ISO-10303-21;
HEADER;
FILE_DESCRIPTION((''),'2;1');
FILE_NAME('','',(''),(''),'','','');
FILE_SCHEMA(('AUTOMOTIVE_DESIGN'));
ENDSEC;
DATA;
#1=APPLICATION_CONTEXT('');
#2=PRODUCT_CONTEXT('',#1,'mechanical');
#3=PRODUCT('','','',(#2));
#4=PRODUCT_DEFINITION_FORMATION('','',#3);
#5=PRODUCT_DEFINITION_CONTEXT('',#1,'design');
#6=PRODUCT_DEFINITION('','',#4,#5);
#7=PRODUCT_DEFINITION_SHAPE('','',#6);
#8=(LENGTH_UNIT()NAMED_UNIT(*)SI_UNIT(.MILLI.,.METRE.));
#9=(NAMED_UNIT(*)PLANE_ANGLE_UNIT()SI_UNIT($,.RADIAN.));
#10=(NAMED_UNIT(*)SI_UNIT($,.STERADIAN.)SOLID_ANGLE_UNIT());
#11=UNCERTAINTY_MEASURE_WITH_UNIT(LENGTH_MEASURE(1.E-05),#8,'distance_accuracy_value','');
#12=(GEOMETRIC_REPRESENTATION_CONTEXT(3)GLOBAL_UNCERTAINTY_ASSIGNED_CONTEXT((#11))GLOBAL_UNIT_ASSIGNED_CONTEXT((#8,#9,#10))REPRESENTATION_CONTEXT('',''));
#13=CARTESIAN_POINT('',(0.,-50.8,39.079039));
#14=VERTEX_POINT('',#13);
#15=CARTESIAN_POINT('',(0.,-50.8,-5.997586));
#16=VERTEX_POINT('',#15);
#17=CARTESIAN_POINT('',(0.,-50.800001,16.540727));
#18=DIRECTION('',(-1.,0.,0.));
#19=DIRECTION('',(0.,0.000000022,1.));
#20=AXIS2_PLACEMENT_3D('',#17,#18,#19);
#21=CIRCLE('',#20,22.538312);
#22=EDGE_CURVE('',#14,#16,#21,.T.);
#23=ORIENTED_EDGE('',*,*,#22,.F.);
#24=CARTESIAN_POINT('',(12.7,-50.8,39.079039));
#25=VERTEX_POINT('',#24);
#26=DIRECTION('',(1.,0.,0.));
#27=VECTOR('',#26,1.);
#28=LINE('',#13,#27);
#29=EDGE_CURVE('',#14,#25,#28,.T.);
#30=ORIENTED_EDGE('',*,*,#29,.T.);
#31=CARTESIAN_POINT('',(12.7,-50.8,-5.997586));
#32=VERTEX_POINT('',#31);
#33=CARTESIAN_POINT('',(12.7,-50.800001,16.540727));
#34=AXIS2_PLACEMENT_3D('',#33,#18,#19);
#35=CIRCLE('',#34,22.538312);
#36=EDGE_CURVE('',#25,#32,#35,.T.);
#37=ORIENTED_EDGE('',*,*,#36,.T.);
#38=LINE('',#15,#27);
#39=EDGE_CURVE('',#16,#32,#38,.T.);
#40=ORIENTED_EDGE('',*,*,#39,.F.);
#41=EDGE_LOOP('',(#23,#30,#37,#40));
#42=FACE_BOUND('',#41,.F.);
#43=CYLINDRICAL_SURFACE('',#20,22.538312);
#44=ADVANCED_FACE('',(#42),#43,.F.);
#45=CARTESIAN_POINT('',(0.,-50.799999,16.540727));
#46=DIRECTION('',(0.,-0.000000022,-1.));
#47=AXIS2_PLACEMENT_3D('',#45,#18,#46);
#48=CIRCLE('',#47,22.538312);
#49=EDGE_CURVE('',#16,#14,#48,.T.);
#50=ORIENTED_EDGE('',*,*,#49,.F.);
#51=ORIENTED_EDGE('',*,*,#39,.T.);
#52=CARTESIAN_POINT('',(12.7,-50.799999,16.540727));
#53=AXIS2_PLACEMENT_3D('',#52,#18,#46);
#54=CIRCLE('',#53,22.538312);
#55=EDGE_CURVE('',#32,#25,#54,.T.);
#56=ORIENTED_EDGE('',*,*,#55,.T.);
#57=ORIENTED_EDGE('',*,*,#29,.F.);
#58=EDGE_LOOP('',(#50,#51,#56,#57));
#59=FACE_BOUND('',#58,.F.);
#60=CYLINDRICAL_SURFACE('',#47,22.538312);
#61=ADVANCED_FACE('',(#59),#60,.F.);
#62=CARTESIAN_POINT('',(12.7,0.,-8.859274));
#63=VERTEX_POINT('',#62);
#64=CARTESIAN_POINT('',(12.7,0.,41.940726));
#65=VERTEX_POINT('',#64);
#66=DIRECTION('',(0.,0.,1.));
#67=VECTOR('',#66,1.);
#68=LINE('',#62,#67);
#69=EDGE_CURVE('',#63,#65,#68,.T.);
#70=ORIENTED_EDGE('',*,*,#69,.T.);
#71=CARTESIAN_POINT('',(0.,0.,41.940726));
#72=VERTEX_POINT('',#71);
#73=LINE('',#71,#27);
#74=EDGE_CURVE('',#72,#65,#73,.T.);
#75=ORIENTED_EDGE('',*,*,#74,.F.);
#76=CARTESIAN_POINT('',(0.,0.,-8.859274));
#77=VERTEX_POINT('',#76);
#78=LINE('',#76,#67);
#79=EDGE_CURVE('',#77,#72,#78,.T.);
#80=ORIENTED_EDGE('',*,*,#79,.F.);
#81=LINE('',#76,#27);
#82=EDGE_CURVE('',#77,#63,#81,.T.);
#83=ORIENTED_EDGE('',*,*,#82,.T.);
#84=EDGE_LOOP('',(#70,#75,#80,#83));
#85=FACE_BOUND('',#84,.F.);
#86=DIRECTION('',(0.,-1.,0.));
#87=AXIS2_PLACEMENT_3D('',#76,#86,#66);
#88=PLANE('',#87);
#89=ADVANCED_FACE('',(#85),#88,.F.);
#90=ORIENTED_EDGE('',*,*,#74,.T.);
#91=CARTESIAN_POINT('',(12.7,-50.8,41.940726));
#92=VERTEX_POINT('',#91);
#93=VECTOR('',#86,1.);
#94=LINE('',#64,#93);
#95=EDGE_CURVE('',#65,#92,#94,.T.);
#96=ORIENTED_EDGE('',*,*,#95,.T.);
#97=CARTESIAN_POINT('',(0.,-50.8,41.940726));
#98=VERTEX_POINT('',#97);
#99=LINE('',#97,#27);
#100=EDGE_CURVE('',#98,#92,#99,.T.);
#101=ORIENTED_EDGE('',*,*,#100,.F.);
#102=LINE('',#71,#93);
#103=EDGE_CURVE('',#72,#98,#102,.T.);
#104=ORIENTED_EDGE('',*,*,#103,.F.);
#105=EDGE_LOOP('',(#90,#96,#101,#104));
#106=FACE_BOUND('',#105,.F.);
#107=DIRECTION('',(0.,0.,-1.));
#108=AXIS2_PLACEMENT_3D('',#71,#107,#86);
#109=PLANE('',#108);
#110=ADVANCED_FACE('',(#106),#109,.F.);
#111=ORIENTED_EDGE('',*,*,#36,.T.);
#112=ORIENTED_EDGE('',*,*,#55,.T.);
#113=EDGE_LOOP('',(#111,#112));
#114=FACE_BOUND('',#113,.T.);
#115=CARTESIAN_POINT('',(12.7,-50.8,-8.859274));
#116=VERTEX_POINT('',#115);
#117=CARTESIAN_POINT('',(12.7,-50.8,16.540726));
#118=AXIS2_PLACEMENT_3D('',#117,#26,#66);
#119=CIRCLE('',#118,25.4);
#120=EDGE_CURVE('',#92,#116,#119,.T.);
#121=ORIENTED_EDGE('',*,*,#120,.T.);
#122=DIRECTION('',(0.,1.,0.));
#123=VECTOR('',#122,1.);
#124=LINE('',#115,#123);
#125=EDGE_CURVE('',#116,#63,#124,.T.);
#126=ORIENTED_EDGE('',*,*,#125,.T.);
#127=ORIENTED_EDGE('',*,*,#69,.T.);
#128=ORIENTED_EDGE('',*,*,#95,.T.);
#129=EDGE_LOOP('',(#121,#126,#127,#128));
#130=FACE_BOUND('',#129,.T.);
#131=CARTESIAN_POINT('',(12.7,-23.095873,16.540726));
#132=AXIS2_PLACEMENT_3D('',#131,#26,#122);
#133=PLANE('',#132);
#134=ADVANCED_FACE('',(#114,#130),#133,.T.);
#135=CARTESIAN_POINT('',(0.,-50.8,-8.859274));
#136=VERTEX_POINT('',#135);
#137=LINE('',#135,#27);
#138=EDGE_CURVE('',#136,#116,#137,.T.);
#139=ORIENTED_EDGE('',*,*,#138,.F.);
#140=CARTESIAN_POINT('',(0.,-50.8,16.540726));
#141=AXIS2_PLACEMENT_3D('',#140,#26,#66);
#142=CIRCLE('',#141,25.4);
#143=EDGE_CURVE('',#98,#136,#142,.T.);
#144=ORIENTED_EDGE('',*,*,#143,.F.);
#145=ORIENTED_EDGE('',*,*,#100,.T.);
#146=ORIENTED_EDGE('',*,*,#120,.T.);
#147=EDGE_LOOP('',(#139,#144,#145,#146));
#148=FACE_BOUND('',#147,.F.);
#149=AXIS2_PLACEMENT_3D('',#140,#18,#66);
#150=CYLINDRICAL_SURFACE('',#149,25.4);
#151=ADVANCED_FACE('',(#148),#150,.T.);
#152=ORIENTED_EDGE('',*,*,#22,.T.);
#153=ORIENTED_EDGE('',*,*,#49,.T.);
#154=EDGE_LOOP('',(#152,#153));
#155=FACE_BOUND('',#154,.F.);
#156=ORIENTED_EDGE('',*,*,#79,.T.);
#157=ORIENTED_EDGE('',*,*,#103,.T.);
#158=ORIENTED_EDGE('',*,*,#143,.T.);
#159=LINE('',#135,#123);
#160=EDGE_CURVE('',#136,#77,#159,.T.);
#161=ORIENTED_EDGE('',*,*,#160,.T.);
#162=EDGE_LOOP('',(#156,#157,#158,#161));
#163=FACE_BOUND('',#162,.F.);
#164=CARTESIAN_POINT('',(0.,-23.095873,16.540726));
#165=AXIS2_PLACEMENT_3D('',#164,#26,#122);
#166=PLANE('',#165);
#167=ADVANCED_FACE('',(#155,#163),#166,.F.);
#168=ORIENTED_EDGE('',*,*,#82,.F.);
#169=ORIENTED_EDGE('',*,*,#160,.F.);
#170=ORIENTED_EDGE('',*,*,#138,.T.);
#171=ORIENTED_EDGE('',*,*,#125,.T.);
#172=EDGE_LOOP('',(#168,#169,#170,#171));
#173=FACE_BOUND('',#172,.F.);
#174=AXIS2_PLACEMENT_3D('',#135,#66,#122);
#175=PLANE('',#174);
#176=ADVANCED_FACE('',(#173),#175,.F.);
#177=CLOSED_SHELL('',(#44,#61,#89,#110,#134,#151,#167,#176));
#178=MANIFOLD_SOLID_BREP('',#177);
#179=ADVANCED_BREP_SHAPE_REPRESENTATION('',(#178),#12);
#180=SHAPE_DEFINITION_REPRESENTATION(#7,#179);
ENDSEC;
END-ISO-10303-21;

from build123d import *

# Parameters (mm, degrees)
F1_DEPTH = 12.7


with BuildPart() as f1:
    # F0 (on Right) → F1 (new body)
    with BuildSketch(Plane.YZ):
        with BuildLine():
            Line((0, -8.859274), (0, 41.940726))
            Line((0, 41.940726), (-50.8, 41.940726))
            ThreePointArc((-50.8, 41.940726), (-32.839488, 34.501239), (-25.4, 16.540726))
            ThreePointArc((-25.4, 16.540726), (-32.839488, -1.419786), (-50.8, -8.859274))
            Line((-50.8, -8.859274), (0, -8.859274))
        make_face()
        with BuildLine():
            ThreePointArc((-25.4, 16.540726), (-32.839488, 34.501239), (-50.8, 41.940726))
            ThreePointArc((-50.8, 41.940726), (-76.2, 16.540726), (-50.8, -8.859274))
            ThreePointArc((-50.8, -8.859274), (-32.839488, -1.419786), (-25.4, 16.540726))
        make_face()
        with BuildLine():
            ThreePointArc((-50.8, -5.997586), (-73.338312, 16.540726), (-50.8, 39.079039))
            ThreePointArc((-50.8, 39.079039), (-28.261688, 16.540726), (-50.8, -5.997586))
        make_face(mode=Mode.SUBTRACT)
    extrude(amount=F1_DEPTH)


solid = f1.part
